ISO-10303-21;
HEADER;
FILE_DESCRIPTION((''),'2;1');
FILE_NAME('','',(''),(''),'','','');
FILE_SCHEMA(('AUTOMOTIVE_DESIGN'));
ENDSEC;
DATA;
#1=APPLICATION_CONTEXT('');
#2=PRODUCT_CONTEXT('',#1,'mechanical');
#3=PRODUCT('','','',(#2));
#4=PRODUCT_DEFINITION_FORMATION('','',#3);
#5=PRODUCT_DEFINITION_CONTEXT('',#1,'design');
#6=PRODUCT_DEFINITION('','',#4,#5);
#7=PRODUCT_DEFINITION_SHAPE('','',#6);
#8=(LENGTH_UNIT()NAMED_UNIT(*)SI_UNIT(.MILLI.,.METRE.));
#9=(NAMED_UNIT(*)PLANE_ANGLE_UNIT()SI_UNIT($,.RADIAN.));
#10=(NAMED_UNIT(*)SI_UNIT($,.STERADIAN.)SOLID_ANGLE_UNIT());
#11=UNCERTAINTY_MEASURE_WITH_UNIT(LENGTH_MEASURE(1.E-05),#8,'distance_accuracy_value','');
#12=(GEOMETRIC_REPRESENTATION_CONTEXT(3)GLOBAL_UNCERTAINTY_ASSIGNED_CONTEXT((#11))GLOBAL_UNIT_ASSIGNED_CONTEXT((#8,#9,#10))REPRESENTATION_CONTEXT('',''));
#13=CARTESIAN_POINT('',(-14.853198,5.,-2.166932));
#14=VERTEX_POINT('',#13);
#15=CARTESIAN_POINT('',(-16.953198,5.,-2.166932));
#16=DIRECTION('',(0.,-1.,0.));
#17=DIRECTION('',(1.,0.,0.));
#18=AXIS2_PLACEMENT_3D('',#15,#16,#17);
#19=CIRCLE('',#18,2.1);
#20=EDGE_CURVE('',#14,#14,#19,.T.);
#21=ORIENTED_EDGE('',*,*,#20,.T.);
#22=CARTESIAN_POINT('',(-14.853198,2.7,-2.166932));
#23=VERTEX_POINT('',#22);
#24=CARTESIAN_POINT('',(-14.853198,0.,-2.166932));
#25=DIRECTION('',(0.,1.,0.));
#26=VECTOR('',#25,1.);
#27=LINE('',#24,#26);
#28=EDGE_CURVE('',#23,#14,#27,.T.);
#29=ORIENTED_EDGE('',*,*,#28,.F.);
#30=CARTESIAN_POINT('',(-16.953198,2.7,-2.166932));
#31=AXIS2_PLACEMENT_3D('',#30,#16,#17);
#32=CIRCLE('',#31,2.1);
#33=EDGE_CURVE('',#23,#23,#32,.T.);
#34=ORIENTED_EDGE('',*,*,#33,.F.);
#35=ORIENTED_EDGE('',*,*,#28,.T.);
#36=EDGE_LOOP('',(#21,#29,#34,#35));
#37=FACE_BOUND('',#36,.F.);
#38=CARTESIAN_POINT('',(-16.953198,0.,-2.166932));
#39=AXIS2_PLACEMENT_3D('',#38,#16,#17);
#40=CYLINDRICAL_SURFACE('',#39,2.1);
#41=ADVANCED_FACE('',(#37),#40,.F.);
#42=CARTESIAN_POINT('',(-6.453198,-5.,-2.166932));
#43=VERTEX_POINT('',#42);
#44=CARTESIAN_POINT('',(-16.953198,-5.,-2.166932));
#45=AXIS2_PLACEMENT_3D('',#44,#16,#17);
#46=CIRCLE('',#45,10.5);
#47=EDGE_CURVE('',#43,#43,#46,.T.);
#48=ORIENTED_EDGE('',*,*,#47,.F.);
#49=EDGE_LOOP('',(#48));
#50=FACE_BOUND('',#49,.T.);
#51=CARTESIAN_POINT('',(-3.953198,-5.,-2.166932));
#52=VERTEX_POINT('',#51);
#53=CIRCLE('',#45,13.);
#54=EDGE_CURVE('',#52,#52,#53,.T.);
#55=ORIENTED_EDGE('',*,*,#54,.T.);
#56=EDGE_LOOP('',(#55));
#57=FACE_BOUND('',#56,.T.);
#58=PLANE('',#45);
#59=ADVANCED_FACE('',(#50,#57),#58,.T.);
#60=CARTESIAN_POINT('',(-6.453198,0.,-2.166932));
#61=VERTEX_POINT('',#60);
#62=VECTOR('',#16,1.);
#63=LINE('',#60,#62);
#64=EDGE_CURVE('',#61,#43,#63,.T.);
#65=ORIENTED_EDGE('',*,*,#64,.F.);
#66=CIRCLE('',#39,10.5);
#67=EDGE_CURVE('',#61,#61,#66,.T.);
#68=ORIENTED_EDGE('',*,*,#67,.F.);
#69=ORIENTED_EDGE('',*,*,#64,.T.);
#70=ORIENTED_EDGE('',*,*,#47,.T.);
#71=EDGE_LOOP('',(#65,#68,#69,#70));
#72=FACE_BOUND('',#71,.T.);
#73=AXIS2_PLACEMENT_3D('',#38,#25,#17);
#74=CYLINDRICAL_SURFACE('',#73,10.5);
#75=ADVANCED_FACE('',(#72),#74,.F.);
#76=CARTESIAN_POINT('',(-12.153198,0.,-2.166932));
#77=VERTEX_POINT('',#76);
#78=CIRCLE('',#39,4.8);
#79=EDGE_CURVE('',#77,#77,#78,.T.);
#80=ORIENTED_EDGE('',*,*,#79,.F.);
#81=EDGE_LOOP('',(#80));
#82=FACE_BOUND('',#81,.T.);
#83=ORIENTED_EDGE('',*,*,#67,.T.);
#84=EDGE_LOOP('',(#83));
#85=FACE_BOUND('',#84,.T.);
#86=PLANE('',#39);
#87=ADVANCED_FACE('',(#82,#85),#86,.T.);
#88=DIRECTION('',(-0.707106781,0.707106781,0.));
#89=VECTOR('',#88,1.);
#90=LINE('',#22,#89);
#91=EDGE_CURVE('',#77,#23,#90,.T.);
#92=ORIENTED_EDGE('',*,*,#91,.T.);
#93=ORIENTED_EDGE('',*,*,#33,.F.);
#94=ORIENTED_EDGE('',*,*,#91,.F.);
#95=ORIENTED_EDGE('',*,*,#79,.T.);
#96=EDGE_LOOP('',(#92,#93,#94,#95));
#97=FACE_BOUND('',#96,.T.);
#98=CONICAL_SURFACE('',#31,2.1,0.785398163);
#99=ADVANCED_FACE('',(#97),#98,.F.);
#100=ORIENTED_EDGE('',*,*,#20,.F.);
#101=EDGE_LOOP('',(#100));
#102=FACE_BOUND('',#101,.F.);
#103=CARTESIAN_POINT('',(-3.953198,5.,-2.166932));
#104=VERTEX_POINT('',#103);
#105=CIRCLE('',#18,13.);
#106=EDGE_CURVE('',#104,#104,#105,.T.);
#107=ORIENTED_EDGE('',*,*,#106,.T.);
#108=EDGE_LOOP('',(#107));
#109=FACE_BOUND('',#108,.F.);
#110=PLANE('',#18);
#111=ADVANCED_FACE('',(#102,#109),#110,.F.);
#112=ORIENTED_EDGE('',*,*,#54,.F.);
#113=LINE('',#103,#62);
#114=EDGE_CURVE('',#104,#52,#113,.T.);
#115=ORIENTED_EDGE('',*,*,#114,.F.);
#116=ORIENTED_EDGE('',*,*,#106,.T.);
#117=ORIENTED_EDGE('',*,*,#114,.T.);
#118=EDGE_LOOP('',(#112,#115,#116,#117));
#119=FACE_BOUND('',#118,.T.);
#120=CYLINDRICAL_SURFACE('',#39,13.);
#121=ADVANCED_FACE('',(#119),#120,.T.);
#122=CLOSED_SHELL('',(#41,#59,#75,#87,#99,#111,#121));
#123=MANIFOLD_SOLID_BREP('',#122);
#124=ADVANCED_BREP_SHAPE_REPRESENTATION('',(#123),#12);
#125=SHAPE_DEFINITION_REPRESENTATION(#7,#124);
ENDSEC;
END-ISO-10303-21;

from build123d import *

# Parameters (mm, degrees)
F0_R     = 13
F0_R_2   = 10.5
F1_DEPTH = 5
F0_R_3   = 2.1
F2_DEPTH = 5
F3_SIZE2 = 2.7
F3_SIZE  = 2.7


with BuildPart() as f1:
    # F0 (on Front) → F1 (new body)
    with BuildSketch(Plane.XZ):
        with Locations((-16.9531982392, -2.1669319831)):
            Circle(F0_R)
        with Locations((-16.9531982392, -2.1669319831)):
            Circle(F0_R_2, mode=Mode.SUBTRACT)
    extrude(amount=F1_DEPTH)

    # F0 (on Front) → F2 (join)
    with BuildSketch(Plane.XZ):
        with Locations((-16.9531982392, -2.1669319831)):
            Circle(F0_R)
        with Locations((-16.9531982392, -2.1669319831)):
            Circle(F0_R_2, mode=Mode.SUBTRACT)
        with Locations((-16.9531982392, -2.1669319831)):
            Circle(F0_R_2)
        with Locations((-16.9531982392, -2.1669319831)):
            Circle(F0_R_3, mode=Mode.SUBTRACT)
    extrude(amount=-F2_DEPTH)

    # F3
    f3_edges = [f1.edges().sort_by_distance(p)[0] for p in [
        (-19.053198, 0, -2.166932),
    ]]
    chamfer(f3_edges, length=F3_SIZE, length2=F3_SIZE2)


solid = f1.part
